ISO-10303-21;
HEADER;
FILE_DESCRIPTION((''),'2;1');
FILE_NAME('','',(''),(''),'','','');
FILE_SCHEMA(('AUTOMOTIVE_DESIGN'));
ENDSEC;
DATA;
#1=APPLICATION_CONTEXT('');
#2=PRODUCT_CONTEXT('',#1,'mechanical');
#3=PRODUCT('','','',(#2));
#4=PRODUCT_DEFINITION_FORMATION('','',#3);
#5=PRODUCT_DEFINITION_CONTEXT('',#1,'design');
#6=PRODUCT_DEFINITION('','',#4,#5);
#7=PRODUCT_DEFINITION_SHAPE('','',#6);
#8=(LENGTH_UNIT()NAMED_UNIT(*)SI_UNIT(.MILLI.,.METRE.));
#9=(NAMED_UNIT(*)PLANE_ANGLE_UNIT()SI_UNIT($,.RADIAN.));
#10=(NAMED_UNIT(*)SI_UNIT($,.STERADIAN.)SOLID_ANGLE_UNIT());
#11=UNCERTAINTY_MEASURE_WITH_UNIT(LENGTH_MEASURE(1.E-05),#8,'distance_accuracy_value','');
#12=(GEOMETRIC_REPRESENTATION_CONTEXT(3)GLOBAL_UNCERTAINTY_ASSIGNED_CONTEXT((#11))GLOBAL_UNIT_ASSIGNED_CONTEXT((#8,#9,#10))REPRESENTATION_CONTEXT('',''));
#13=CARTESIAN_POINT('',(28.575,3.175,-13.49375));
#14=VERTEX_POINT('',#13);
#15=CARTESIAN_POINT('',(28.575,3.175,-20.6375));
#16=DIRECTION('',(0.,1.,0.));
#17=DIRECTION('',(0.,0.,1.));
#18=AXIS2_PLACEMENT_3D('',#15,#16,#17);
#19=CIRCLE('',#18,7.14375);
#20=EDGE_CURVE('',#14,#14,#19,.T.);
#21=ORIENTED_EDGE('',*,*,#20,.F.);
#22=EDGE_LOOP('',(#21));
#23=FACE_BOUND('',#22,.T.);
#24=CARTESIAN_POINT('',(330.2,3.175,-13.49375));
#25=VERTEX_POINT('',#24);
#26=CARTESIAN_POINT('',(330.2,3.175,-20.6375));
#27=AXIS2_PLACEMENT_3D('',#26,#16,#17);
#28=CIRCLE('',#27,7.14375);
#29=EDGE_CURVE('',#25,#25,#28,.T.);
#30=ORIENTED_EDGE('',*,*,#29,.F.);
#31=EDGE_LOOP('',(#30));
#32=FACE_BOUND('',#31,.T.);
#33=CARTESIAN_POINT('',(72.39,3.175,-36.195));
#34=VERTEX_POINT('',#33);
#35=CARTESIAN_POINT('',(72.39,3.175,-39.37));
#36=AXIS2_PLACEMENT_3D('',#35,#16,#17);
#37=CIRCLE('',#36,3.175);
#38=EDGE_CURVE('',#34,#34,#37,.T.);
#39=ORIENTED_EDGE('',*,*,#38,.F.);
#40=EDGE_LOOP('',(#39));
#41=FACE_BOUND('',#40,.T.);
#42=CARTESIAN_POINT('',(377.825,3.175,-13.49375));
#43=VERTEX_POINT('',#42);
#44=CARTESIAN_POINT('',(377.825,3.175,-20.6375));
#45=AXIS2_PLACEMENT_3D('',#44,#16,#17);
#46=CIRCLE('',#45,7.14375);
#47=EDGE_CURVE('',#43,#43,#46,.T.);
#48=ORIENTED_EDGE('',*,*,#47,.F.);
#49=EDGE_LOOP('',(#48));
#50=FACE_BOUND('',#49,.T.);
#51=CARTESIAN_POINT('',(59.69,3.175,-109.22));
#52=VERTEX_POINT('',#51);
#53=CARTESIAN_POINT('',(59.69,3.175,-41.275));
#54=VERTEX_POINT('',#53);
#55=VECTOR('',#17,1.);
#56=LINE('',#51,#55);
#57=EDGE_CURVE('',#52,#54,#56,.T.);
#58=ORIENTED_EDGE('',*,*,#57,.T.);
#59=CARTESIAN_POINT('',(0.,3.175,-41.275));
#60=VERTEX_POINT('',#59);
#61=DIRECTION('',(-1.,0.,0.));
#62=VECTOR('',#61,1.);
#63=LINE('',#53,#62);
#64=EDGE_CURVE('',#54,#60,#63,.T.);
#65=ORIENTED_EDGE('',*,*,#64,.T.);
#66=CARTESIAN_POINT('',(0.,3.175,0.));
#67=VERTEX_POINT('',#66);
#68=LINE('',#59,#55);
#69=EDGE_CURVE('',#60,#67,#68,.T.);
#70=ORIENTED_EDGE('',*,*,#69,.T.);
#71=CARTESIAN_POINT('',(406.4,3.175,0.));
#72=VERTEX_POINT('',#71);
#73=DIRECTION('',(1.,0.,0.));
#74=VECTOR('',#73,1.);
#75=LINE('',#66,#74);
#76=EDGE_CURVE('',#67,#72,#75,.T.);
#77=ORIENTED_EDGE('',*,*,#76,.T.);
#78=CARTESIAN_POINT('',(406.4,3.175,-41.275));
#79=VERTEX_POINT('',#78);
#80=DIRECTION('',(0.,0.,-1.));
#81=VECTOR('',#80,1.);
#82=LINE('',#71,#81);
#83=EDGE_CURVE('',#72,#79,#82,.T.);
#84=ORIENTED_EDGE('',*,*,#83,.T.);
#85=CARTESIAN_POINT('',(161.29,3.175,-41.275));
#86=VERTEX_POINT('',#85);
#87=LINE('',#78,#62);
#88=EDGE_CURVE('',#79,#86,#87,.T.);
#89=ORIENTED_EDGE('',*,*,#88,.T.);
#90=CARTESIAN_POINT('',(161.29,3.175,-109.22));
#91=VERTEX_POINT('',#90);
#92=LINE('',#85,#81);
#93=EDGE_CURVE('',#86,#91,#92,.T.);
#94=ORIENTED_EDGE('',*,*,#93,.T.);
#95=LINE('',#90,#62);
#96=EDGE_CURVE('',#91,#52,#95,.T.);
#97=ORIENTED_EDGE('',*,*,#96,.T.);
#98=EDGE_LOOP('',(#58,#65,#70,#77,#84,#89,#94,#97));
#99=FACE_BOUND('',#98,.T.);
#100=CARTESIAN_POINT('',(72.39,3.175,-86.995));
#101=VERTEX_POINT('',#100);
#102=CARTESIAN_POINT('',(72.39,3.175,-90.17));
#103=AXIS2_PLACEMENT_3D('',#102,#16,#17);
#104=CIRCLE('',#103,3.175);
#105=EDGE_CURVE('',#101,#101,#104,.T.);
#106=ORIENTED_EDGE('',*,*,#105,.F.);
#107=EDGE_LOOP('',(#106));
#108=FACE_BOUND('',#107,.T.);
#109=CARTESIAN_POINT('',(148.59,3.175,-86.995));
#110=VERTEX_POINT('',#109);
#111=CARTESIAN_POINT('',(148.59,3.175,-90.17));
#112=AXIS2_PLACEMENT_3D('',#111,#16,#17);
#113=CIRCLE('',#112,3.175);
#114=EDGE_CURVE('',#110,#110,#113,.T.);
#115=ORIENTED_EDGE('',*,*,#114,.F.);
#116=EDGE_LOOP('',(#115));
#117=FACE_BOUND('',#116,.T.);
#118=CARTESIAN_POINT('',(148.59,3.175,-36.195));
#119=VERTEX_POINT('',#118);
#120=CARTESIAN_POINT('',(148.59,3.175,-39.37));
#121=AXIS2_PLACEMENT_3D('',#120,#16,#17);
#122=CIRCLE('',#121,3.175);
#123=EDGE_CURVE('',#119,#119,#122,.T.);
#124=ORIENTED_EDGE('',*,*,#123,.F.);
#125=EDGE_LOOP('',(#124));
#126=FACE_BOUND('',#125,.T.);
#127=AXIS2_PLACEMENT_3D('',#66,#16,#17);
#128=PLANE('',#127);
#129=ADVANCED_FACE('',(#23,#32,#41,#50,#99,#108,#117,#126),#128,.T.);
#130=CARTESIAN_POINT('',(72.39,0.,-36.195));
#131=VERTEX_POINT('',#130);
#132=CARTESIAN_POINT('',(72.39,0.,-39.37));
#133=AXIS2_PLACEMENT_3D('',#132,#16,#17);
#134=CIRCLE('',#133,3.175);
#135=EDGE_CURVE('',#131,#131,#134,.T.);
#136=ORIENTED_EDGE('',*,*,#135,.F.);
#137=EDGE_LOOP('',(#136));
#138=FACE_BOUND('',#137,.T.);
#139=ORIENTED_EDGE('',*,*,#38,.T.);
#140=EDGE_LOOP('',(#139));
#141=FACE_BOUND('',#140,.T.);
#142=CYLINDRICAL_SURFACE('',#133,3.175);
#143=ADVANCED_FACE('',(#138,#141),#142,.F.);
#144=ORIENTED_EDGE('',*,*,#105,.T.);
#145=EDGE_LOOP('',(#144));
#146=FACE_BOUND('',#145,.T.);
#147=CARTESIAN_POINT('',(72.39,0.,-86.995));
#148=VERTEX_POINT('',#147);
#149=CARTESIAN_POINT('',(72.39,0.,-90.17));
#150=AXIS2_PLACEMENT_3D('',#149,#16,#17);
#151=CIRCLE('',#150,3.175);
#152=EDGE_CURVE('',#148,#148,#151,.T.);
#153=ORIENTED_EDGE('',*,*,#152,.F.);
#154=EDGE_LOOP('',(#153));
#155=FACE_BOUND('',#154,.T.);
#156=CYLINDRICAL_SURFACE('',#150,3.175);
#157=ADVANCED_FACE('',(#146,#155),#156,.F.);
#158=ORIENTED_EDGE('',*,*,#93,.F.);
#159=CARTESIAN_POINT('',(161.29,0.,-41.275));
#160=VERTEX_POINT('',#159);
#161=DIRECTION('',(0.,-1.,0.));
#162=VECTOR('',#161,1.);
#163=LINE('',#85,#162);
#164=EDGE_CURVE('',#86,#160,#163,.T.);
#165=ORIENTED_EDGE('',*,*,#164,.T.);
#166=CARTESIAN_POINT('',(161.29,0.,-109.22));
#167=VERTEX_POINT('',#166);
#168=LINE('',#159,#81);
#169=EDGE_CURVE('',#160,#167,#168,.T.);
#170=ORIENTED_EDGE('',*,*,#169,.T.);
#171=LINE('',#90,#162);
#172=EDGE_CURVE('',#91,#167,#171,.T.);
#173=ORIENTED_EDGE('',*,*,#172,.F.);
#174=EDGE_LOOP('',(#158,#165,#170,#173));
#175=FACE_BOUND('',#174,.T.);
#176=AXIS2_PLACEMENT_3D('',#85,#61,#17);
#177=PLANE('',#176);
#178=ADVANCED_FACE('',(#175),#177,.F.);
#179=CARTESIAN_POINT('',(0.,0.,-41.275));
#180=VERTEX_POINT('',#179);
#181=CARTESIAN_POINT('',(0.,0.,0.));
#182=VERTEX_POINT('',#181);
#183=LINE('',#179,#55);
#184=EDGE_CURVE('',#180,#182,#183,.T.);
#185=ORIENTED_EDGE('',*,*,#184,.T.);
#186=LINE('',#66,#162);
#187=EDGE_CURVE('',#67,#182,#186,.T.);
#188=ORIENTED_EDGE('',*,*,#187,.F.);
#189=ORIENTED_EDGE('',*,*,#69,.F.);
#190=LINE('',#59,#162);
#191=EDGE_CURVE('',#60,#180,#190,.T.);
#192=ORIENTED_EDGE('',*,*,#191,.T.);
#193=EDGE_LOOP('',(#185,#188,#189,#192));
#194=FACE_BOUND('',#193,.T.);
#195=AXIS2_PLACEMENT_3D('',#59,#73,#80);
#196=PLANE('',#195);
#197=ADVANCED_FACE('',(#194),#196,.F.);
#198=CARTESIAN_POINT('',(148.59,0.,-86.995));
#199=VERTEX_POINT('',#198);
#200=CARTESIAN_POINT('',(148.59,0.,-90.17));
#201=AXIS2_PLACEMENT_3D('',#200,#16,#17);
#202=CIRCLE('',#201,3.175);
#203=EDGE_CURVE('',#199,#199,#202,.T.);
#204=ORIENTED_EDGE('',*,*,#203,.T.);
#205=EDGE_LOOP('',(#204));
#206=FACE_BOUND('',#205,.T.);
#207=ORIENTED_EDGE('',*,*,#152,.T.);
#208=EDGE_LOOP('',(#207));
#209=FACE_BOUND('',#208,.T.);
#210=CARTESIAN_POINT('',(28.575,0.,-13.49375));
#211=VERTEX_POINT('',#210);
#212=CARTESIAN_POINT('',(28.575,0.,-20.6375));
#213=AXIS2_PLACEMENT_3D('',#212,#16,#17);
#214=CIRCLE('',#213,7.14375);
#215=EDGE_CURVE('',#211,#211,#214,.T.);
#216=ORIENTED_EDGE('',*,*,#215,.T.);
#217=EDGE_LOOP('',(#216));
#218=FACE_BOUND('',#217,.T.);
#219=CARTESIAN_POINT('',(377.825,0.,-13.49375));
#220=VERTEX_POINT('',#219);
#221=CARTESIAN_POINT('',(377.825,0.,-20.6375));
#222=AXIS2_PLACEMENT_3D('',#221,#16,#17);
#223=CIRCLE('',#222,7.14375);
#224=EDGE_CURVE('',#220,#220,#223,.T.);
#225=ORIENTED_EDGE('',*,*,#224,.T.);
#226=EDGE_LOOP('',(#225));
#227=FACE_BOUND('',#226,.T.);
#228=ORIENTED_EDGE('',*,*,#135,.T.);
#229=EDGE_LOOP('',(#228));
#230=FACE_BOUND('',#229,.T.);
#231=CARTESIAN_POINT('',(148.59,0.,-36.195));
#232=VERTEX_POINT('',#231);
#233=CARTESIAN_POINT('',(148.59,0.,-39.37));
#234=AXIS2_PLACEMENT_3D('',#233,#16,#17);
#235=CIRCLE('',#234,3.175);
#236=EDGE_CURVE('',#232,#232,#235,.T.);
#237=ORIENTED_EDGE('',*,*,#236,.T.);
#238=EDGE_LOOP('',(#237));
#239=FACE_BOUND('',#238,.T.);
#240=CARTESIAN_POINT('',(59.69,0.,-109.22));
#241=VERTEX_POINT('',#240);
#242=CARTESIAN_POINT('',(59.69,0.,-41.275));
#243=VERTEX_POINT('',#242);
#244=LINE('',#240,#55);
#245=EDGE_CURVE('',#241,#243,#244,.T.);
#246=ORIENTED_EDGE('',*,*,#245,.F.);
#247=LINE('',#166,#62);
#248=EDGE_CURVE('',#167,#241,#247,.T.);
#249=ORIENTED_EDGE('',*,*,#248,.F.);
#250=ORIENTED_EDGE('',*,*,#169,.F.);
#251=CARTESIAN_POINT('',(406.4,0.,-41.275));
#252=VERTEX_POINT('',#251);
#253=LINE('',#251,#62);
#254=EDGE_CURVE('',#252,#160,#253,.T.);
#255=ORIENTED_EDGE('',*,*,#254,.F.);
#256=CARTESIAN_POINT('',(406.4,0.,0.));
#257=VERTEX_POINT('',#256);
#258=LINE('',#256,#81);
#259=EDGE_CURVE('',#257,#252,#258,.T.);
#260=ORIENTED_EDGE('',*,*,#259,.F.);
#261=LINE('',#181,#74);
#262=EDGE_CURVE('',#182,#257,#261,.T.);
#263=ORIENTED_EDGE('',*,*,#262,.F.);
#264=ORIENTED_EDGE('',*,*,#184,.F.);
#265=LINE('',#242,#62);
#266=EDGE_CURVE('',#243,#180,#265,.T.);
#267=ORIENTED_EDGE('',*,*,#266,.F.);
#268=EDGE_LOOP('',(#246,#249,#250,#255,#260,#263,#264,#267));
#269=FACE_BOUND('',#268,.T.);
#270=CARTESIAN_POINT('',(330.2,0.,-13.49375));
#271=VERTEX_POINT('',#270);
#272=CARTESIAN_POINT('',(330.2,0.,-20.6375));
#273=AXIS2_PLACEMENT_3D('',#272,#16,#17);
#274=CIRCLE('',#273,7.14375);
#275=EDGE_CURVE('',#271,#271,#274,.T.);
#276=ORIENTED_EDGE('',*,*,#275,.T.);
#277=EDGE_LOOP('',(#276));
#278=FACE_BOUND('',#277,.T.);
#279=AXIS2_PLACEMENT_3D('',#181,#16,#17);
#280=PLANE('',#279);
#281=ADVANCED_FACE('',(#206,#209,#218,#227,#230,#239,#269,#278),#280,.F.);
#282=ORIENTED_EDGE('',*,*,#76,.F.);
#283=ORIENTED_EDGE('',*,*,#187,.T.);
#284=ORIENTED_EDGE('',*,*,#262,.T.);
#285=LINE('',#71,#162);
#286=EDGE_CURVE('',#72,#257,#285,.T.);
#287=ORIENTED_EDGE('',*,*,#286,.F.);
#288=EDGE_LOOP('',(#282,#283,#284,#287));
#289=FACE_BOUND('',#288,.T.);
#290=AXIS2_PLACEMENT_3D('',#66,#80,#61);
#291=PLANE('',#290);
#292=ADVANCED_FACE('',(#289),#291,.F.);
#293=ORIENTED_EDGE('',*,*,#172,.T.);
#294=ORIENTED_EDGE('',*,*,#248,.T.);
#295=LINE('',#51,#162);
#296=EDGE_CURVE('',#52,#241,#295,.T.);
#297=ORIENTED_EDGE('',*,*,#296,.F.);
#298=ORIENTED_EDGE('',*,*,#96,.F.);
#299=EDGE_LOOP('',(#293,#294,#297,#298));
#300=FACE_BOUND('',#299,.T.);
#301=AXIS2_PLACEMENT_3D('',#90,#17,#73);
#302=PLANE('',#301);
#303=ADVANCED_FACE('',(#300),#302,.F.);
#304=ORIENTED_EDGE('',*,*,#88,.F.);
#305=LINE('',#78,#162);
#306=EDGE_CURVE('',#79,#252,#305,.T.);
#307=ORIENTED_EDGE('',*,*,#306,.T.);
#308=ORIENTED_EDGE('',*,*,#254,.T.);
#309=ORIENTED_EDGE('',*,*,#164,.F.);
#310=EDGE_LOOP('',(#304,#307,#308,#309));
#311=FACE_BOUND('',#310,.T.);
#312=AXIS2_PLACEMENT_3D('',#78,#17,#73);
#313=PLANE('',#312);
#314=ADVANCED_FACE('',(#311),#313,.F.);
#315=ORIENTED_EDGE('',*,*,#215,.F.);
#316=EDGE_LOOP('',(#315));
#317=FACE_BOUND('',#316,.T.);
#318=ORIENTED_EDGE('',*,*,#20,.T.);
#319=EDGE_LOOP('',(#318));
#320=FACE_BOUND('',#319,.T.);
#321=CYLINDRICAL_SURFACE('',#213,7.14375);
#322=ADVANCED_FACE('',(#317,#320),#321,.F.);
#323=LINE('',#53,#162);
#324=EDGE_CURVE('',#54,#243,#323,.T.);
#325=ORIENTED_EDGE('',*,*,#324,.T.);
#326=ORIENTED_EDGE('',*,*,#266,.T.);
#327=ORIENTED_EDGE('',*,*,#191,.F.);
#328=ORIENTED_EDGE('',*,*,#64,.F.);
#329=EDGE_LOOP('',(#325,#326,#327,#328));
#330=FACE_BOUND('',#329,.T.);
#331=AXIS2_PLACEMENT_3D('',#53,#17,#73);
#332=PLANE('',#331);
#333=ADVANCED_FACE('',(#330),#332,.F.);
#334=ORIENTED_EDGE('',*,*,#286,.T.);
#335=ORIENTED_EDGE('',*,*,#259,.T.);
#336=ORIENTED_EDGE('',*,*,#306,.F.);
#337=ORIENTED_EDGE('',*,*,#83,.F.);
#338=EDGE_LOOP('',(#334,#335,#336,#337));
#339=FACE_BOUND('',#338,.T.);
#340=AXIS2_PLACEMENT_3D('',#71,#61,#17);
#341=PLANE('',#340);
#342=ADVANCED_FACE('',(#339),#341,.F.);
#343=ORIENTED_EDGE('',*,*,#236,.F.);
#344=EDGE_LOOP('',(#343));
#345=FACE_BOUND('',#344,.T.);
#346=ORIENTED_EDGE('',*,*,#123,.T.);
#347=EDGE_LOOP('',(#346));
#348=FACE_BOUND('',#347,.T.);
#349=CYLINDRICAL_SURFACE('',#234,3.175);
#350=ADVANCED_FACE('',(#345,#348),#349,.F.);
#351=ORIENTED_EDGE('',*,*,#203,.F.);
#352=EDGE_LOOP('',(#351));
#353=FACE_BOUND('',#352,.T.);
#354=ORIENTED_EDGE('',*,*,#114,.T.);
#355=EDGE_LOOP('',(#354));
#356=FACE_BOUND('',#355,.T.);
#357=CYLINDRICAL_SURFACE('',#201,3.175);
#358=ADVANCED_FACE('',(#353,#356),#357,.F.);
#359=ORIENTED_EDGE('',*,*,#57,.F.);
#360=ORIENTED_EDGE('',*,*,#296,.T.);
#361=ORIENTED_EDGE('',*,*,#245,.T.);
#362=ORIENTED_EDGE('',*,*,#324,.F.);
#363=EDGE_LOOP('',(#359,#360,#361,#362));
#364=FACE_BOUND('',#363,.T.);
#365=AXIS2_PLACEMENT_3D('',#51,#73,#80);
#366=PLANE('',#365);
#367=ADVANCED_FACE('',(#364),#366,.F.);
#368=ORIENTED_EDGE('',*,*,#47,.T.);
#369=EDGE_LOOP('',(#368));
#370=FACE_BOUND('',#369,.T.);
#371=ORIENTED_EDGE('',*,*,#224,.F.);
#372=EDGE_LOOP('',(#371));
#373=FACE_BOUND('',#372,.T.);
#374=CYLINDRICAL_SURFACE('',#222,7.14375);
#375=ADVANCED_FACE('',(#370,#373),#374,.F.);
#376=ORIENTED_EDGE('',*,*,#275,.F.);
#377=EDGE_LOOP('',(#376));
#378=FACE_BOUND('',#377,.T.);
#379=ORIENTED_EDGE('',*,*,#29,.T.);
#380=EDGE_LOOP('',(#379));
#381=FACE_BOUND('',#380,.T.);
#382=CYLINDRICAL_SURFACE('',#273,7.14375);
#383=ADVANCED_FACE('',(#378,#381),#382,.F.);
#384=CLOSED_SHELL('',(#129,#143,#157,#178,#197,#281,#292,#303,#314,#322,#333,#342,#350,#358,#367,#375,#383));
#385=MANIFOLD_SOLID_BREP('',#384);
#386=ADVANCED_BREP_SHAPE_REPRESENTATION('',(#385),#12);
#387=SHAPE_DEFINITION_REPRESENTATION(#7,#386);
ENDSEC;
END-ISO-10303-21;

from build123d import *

# Parameters (mm, degrees)
BOSS_EXTRUDE1_DEPTH = 3.175
SKETCH2_R           = 7.14375
SKETCH2_R_2         = 3.175
CUT_EXTRUDE1_DEPTH  = 421.832566498


with BuildPart() as part:
    # Sketch1 → Boss-Extrude1 (new body)
    with BuildSketch(Plane(origin=(0, 0, 0), x_dir=(1, 0, 0), z_dir=(0, 1, 0))):
        Polygon((0, 0), (406.4, 0), (406.4, 41.275), (161.29, 41.275), (161.29, 109.22), (59.69, 109.22), (59.69, 41.275), (0, 41.275), align=None)
    extrude(amount=BOSS_EXTRUDE1_DEPTH)

    # Sketch2 → Cut-Extrude1 (cut, through all)
    with BuildSketch(Plane(origin=(0, 3.175, 0), x_dir=(1, 0, 0), z_dir=(0, 1, 0))):
        with Locations(Location((28.575, 20.6375, 0), (0, 0, 270))):
            Circle(SKETCH2_R)
        with Locations(Location((72.39, 90.17, 0), (0, 0, 270))):
            Circle(SKETCH2_R_2)
        with Locations(Location((330.2, 20.6375, 0), (0, 0, 270))):
            Circle(SKETCH2_R)
        with Locations(Location((377.825, 20.6375, 0), (0, 0, 270))):
            Circle(SKETCH2_R)
        with Locations(Location((72.39, 39.37, 0), (0, 0, 270))):
            Circle(SKETCH2_R_2)
        with Locations(Location((148.59, 39.37, 0), (0, 0, 270))):
            Circle(SKETCH2_R_2)
        with Locations(Location((148.59, 90.17, 0), (0, 0, 270))):
            Circle(SKETCH2_R_2)
    extrude(amount=-CUT_EXTRUDE1_DEPTH, mode=Mode.SUBTRACT)


solid = part.part
